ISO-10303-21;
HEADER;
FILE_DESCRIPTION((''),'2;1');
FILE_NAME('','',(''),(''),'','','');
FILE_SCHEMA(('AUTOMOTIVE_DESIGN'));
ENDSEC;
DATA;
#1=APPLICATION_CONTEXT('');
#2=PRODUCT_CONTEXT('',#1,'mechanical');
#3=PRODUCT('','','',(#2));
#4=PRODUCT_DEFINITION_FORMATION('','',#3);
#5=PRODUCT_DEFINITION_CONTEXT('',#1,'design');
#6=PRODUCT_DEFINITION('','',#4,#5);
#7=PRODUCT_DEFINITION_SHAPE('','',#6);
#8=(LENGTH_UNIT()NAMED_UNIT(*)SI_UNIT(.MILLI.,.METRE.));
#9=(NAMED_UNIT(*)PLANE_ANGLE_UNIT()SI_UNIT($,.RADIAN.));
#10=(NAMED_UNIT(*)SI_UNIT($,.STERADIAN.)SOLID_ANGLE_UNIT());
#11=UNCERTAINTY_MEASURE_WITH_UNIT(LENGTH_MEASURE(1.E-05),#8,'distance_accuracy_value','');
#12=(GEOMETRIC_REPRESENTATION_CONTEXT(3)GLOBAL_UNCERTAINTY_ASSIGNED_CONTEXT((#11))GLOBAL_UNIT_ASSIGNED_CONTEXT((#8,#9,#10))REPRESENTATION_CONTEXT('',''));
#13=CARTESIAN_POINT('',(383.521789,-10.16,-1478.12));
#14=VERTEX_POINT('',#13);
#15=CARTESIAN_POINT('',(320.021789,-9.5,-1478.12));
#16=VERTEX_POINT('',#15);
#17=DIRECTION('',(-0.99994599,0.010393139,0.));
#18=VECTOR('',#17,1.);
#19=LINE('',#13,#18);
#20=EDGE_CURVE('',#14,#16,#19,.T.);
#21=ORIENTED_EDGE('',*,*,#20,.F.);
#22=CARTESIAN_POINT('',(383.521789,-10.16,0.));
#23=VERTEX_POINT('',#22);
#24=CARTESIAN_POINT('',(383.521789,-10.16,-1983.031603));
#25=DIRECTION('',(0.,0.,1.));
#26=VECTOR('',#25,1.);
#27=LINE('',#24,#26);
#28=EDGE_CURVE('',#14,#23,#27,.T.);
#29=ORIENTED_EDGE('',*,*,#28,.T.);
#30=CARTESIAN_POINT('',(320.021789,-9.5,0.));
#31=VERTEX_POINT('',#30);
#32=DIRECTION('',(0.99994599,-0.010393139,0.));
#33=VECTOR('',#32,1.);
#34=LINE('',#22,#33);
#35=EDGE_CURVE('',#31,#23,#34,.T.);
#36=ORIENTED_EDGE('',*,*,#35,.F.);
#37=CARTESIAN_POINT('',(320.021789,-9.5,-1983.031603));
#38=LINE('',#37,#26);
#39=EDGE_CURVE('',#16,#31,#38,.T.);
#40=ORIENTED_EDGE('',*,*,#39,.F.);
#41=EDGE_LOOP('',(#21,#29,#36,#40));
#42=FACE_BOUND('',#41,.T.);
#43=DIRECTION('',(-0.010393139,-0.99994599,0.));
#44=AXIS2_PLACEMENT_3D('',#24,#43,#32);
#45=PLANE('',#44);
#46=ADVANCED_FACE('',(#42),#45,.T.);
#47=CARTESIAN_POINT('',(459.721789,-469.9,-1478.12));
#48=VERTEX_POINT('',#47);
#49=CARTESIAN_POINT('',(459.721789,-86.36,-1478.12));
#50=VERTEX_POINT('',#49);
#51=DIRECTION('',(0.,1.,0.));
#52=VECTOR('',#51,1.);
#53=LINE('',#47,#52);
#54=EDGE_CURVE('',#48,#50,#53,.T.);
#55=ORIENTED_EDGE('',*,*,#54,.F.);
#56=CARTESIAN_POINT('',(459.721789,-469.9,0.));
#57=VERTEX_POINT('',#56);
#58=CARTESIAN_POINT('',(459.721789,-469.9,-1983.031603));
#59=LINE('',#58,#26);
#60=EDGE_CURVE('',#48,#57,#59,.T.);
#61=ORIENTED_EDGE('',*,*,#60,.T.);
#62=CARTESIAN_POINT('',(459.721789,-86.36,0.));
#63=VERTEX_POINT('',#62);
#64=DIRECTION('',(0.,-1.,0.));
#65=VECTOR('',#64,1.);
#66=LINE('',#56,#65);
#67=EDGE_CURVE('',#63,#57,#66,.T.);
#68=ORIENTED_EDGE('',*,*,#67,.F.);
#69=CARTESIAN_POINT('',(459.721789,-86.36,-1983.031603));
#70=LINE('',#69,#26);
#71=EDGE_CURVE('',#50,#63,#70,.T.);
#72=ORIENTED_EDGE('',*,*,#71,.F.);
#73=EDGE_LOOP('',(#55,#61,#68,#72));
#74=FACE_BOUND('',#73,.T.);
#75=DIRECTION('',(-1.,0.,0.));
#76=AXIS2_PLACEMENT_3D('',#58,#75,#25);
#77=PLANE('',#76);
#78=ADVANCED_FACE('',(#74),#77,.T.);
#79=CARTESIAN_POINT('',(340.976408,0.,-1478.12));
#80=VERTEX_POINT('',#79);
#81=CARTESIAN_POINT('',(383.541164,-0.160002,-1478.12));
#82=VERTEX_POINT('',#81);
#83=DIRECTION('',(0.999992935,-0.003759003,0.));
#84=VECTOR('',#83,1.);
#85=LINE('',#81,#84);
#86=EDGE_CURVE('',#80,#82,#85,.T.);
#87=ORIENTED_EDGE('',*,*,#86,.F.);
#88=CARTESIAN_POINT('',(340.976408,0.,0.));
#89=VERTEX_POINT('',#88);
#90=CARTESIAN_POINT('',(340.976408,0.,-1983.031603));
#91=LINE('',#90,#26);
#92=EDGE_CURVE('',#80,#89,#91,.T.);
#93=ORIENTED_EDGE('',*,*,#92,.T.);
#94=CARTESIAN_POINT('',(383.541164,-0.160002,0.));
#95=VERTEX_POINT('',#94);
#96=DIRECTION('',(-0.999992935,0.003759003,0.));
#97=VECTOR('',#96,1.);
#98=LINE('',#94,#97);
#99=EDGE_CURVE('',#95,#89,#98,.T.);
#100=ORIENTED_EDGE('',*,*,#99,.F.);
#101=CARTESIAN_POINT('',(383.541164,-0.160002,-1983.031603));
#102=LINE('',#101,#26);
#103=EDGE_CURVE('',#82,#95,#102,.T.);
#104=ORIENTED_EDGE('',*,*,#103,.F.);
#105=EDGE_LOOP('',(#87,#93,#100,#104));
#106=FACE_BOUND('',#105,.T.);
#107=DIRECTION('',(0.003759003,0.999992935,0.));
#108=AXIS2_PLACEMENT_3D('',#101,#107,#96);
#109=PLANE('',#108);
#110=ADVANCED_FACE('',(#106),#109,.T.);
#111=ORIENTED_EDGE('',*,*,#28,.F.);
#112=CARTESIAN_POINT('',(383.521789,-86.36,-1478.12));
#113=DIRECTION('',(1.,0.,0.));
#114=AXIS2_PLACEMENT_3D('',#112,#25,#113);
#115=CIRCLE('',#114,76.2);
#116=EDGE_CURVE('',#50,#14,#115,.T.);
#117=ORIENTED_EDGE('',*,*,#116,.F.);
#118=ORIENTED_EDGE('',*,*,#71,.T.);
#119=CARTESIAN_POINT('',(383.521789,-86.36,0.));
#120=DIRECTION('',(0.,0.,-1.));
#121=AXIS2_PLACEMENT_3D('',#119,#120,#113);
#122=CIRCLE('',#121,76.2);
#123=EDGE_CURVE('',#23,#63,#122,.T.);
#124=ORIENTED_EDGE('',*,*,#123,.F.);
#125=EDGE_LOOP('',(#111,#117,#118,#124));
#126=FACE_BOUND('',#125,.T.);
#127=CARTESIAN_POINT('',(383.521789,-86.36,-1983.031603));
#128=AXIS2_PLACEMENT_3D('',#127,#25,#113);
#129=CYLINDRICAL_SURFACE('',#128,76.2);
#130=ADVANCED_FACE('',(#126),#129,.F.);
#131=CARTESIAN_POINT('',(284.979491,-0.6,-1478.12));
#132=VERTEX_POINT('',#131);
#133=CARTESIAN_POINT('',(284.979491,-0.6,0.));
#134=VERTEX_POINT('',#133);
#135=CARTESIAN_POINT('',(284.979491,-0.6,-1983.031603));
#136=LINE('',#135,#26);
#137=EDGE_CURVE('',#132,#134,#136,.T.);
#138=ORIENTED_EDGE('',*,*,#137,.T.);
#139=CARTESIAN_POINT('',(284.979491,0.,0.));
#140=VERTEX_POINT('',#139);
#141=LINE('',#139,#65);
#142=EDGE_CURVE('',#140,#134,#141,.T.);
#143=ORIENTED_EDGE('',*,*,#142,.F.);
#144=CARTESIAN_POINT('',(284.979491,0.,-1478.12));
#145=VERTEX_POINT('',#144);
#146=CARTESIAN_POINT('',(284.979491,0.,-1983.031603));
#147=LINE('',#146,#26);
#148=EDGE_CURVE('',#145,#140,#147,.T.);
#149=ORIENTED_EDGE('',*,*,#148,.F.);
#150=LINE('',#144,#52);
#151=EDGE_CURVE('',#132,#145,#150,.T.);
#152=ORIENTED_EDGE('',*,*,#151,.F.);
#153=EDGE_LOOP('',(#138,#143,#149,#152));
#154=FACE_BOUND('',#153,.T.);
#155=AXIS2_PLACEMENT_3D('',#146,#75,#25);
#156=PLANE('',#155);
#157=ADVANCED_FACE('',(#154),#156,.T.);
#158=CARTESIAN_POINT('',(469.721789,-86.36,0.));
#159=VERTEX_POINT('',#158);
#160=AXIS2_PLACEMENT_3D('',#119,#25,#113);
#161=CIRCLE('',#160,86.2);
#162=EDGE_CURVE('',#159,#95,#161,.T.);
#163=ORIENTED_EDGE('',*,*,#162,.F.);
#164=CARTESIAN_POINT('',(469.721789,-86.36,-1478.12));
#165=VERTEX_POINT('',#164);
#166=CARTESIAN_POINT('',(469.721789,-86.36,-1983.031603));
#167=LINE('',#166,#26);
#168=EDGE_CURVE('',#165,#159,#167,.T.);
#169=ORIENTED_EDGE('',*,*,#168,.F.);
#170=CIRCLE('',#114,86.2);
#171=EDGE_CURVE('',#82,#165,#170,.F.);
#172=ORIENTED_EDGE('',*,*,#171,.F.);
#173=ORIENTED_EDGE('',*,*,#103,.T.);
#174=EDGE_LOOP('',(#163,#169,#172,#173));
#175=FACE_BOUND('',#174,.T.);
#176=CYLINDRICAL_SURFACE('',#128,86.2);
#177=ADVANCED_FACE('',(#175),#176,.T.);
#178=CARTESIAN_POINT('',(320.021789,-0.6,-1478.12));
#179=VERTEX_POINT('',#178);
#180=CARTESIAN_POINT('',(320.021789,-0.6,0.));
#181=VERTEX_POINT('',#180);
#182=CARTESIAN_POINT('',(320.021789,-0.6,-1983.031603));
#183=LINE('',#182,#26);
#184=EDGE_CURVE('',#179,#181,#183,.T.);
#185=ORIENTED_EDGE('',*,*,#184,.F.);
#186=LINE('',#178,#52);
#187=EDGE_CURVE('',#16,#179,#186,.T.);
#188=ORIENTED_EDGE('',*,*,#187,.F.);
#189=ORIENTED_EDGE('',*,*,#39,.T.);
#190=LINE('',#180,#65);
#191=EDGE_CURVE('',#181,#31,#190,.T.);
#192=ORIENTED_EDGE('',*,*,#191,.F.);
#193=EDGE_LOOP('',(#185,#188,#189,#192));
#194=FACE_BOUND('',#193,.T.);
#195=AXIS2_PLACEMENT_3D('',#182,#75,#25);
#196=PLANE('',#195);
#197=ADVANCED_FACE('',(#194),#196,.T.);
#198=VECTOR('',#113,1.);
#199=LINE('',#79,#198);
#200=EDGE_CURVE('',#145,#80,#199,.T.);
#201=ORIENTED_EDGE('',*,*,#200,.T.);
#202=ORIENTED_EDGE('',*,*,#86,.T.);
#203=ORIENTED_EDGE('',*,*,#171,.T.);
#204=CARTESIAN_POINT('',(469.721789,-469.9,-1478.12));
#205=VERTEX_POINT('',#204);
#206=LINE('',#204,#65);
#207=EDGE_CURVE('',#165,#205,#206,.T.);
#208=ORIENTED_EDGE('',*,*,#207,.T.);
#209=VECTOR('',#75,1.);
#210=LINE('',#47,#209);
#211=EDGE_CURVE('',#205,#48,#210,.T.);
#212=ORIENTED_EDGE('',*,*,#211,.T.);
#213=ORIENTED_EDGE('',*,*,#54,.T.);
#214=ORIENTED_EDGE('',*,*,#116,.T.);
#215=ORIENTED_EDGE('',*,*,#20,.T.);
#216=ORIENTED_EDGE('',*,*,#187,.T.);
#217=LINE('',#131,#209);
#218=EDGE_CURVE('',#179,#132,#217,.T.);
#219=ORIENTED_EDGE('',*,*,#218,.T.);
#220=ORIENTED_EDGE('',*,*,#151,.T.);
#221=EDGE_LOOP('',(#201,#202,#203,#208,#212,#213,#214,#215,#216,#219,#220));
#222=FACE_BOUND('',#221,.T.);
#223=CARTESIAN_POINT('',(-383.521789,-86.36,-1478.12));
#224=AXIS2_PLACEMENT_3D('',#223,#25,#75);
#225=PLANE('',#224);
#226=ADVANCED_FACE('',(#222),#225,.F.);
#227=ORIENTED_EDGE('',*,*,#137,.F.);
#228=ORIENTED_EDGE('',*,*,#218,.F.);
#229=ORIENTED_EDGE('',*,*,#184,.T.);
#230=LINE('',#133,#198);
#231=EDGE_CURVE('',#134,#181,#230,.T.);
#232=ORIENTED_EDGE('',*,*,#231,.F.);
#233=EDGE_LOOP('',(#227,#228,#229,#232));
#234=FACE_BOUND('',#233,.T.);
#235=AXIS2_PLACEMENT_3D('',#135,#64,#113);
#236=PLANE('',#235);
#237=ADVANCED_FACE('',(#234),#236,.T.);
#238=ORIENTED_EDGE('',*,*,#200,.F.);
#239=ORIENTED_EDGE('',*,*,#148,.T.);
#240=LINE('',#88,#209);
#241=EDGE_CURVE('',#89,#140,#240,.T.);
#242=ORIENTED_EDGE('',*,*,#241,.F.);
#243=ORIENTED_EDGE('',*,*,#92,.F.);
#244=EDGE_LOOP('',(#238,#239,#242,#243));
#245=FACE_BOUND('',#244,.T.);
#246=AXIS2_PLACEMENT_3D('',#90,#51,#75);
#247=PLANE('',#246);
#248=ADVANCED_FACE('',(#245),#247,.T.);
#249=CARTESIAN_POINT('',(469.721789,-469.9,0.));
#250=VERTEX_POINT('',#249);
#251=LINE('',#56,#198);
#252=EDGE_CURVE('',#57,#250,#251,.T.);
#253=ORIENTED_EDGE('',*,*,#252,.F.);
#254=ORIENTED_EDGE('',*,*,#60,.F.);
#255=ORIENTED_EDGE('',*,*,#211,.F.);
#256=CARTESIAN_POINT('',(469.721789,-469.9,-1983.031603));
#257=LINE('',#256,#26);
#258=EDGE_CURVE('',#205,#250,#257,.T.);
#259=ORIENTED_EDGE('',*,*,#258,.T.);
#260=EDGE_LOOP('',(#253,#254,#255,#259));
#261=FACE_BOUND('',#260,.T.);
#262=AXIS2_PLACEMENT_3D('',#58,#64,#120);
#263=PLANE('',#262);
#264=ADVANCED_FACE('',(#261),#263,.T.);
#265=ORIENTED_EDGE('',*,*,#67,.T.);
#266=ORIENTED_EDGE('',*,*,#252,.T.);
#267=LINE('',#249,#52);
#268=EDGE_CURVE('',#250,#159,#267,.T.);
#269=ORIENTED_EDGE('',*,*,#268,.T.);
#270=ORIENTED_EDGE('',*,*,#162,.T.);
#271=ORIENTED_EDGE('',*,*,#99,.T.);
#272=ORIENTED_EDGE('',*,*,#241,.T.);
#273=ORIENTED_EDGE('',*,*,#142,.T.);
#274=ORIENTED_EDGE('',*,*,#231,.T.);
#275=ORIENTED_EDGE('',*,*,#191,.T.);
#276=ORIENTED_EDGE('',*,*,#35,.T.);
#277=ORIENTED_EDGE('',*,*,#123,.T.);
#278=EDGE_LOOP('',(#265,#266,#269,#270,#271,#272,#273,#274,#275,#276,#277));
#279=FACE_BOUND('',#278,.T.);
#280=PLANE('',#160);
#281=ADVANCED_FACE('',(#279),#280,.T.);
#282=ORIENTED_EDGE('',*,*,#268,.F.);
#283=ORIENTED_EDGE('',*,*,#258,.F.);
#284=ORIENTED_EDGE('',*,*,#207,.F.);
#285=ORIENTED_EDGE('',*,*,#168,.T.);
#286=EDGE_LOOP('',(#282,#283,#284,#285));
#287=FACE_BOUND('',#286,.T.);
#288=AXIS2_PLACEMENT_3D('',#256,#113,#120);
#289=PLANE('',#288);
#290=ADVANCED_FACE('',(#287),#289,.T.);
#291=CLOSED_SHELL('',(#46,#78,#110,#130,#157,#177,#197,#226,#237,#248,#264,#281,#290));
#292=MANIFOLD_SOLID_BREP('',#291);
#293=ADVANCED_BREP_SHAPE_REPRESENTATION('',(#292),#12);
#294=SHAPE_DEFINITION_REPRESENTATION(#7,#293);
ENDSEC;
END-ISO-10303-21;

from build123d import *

# Parameters (mm, degrees)
BOSS_EXTRUDE1_DEPTH = 1478.120000035


with BuildPart() as part:
    # Sketch1 → Boss-Extrude1 (new body)
    with BuildSketch(Plane.XY):
        with BuildLine():
            Line((459.721789204, -469.9), (459.721789204, -86.36))
            ThreePointArc((459.721789204, -86.36), (437.403325931, -32.478463274), (383.521789204, -10.16))
            Line((383.521789204, -10.16), (320.021789204, -9.5))
            Line((320.021789204, -9.5), (320.021789204, -0.6))
            Line((320.021789204, -0.6), (284.979491485, -0.6))
            Line((284.979491485, -0.6), (284.979491485, 0))
            Line((284.979491485, 0), (340.976408313, 0))
            Line((340.976408313, 0), (383.5411635, -0.160002177))
            ThreePointArc((383.5411635, -0.160002177), (444.481243206, -25.414245695), (469.721789204, -86.36))
            Line((469.721789204, -86.36), (469.721789204, -469.9))
            Line((469.721789204, -469.9), (459.721789204, -469.9))
        make_face()
    extrude(amount=-BOSS_EXTRUDE1_DEPTH)


solid = part.part
